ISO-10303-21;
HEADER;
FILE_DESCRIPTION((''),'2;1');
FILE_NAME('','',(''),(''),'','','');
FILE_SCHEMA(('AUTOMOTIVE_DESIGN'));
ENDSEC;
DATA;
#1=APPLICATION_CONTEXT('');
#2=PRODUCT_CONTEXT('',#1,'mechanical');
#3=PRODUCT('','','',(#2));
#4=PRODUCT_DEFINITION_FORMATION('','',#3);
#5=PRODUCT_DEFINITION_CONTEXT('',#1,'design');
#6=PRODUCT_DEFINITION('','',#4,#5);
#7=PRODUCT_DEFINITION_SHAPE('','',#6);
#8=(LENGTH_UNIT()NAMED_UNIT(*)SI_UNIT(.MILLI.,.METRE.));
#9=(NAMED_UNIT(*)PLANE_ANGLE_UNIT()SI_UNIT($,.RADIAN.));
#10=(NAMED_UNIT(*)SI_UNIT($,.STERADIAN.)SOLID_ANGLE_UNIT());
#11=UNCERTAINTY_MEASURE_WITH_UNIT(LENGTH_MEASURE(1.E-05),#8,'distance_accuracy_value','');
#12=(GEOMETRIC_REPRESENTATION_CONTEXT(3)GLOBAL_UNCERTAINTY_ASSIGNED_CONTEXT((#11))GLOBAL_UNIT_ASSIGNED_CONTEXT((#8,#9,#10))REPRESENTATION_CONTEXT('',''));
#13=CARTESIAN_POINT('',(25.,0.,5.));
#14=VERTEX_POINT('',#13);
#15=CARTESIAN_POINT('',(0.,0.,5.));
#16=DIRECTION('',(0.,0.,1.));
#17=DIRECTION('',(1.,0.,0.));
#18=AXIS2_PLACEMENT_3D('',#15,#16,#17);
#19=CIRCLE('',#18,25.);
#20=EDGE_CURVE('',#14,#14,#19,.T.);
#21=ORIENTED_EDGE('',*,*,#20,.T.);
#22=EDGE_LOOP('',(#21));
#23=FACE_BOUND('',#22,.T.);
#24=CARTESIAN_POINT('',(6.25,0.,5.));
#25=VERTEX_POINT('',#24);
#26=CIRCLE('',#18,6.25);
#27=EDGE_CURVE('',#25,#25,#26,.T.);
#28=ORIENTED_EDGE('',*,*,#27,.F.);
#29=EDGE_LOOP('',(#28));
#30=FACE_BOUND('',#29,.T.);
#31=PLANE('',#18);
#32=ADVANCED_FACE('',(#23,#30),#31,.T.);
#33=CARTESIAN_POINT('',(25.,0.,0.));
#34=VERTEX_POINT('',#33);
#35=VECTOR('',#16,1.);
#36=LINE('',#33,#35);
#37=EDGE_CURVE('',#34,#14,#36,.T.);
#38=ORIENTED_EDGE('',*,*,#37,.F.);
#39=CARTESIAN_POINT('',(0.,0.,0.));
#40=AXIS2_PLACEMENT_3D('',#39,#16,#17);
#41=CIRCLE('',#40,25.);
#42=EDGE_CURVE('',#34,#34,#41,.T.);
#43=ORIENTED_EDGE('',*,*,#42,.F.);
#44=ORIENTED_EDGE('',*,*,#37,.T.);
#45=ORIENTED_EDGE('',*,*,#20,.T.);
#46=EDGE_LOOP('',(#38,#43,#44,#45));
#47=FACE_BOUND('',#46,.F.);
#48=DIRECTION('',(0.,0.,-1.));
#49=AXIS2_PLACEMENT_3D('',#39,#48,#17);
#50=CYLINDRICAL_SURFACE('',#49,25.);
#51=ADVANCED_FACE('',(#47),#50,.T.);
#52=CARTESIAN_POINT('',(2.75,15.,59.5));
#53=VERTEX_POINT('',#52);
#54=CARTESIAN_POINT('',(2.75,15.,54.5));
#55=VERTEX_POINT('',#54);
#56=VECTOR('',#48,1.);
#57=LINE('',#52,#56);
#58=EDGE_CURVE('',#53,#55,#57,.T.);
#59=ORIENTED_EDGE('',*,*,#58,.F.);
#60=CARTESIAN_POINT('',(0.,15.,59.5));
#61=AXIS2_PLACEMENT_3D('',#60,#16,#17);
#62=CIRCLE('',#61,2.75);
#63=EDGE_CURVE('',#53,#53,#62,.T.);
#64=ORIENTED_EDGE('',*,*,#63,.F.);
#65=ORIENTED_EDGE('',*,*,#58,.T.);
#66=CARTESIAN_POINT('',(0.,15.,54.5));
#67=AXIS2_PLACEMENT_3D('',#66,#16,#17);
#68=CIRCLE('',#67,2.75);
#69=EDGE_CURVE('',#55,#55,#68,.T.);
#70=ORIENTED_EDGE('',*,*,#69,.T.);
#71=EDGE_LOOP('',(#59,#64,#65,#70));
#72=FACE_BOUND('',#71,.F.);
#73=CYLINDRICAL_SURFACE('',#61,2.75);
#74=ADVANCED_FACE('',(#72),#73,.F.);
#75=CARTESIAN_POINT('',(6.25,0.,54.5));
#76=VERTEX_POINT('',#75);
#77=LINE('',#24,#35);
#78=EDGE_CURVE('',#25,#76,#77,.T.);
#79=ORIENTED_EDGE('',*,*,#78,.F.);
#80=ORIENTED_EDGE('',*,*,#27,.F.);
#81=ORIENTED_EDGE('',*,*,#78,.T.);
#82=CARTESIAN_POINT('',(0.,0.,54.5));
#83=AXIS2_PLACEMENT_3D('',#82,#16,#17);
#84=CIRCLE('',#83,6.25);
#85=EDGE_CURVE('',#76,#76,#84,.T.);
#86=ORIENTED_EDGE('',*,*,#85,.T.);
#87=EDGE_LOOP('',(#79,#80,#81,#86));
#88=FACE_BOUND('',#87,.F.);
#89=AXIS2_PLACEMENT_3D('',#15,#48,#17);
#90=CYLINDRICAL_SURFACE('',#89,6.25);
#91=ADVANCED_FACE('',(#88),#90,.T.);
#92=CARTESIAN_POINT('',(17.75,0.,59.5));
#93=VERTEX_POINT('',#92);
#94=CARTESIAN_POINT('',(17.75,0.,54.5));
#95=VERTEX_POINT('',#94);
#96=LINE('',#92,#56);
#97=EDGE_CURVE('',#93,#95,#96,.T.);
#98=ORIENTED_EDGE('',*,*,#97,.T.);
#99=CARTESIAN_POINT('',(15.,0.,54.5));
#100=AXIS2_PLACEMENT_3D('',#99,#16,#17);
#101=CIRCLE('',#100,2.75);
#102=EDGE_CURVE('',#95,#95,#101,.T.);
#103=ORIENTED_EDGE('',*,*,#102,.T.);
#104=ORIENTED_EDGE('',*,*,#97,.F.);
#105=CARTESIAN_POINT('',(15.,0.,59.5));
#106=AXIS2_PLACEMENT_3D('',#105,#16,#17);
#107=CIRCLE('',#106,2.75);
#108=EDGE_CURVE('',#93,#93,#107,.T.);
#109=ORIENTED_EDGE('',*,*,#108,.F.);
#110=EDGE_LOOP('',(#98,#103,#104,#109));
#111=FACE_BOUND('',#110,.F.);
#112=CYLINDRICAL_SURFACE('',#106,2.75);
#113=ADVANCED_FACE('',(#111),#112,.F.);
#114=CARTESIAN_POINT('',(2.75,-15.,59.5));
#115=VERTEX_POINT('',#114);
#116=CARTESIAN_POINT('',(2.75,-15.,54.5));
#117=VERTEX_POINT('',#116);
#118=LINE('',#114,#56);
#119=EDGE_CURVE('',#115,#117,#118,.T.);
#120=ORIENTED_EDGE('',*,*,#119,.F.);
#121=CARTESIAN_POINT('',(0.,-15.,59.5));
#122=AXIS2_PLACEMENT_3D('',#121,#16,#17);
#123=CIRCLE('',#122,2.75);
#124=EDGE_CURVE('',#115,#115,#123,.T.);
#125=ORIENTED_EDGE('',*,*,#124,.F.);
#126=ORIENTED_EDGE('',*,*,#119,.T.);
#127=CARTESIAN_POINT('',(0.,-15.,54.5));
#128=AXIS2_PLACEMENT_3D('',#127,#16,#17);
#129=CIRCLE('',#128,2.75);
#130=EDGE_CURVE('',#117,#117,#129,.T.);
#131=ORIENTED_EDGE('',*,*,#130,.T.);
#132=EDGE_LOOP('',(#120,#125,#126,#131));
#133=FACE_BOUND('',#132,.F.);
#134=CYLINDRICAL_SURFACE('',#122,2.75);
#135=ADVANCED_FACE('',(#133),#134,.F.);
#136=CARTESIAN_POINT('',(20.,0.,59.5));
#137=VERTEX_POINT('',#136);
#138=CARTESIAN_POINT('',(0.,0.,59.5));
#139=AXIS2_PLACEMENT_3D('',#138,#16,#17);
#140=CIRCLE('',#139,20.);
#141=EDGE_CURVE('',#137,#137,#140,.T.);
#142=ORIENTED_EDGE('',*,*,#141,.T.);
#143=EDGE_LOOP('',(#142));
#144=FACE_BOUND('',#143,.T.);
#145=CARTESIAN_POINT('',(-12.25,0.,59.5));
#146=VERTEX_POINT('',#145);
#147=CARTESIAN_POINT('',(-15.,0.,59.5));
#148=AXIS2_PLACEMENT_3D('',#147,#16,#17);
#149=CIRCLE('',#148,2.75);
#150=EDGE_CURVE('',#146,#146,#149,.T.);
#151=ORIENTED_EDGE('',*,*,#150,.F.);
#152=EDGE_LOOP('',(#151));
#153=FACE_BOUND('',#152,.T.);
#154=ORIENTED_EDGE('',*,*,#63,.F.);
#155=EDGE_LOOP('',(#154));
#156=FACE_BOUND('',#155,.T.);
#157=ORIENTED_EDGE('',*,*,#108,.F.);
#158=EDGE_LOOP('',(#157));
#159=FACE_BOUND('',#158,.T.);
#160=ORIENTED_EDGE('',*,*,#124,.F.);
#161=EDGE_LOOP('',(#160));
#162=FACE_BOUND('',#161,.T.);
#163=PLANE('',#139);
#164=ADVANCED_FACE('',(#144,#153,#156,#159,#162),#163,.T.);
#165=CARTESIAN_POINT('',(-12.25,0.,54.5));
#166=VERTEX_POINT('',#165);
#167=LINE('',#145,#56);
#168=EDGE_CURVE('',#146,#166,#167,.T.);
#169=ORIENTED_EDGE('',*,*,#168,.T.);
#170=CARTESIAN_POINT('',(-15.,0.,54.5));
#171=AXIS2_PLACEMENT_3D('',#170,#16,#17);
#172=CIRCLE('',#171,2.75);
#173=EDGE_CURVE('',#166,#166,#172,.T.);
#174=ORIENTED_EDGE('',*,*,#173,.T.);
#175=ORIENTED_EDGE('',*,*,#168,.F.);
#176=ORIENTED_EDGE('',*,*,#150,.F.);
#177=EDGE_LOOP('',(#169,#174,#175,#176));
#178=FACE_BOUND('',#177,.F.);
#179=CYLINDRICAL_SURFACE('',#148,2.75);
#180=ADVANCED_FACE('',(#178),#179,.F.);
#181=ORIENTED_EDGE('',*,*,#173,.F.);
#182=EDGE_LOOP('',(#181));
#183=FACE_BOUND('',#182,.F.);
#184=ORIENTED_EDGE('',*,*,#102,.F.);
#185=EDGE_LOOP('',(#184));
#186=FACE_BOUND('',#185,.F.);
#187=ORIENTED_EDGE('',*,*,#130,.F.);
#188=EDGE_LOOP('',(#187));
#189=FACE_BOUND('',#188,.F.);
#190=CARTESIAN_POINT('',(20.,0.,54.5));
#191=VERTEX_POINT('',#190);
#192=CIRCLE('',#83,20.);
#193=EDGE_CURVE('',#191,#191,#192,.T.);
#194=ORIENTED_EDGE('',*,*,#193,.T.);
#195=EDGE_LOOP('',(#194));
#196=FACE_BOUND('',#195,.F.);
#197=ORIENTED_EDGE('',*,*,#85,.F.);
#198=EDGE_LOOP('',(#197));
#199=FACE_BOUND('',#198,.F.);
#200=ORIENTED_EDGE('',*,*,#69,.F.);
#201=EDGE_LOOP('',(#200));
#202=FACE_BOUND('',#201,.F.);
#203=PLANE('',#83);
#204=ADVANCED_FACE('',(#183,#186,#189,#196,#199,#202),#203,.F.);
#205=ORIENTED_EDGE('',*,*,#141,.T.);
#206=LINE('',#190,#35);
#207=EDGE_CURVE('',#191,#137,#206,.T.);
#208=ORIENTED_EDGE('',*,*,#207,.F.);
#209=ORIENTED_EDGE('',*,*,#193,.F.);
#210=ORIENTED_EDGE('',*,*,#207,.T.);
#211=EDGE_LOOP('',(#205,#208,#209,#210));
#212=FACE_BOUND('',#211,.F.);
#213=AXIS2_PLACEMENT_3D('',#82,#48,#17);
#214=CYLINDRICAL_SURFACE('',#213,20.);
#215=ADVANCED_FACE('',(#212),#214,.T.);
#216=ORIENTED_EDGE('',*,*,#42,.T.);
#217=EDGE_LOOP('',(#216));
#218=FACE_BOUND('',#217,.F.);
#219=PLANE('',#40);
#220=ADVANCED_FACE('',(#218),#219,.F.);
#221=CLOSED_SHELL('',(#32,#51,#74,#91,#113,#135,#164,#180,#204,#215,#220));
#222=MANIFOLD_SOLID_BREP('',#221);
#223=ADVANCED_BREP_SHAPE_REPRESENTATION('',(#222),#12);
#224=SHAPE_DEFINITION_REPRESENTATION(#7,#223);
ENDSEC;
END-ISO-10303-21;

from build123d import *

# Parameters (mm, degrees)
F0_R     = 25
F1_DEPTH = 5
F2_R     = 6.25
F3_DEPTH = 49.5
F4_R     = 20
F5_DEPTH = 5
F6_R     = 2.75
F7_DEPTH = 5


with BuildPart() as f1:
    # F0 (on Top) → F1 (new body)
    with BuildSketch(Plane.XY):
        Circle(F0_R)
    extrude(amount=F1_DEPTH)

    # F2 (on face) → F3 (join)
    with BuildSketch(Plane.XY.offset(5)):
        Circle(F2_R)
    extrude(amount=F3_DEPTH)

    # F4 (on face) → F5 (join)
    with BuildSketch(Plane.XY.offset(54.5)):
        Circle(F4_R)
    extrude(amount=F5_DEPTH)

    # F6 (on face) → F7 (cut)
    with BuildSketch(Plane.XY.offset(59.5)):
        with Locations((0, 15)):
            Circle(F6_R)
        with Locations((15, 0)):
            Circle(F6_R)
        with Locations((0, -15)):
            Circle(F6_R)
        with Locations((-15, 0)):
            Circle(F6_R)
    extrude(amount=-F7_DEPTH, mode=Mode.SUBTRACT)


solid = f1.part
